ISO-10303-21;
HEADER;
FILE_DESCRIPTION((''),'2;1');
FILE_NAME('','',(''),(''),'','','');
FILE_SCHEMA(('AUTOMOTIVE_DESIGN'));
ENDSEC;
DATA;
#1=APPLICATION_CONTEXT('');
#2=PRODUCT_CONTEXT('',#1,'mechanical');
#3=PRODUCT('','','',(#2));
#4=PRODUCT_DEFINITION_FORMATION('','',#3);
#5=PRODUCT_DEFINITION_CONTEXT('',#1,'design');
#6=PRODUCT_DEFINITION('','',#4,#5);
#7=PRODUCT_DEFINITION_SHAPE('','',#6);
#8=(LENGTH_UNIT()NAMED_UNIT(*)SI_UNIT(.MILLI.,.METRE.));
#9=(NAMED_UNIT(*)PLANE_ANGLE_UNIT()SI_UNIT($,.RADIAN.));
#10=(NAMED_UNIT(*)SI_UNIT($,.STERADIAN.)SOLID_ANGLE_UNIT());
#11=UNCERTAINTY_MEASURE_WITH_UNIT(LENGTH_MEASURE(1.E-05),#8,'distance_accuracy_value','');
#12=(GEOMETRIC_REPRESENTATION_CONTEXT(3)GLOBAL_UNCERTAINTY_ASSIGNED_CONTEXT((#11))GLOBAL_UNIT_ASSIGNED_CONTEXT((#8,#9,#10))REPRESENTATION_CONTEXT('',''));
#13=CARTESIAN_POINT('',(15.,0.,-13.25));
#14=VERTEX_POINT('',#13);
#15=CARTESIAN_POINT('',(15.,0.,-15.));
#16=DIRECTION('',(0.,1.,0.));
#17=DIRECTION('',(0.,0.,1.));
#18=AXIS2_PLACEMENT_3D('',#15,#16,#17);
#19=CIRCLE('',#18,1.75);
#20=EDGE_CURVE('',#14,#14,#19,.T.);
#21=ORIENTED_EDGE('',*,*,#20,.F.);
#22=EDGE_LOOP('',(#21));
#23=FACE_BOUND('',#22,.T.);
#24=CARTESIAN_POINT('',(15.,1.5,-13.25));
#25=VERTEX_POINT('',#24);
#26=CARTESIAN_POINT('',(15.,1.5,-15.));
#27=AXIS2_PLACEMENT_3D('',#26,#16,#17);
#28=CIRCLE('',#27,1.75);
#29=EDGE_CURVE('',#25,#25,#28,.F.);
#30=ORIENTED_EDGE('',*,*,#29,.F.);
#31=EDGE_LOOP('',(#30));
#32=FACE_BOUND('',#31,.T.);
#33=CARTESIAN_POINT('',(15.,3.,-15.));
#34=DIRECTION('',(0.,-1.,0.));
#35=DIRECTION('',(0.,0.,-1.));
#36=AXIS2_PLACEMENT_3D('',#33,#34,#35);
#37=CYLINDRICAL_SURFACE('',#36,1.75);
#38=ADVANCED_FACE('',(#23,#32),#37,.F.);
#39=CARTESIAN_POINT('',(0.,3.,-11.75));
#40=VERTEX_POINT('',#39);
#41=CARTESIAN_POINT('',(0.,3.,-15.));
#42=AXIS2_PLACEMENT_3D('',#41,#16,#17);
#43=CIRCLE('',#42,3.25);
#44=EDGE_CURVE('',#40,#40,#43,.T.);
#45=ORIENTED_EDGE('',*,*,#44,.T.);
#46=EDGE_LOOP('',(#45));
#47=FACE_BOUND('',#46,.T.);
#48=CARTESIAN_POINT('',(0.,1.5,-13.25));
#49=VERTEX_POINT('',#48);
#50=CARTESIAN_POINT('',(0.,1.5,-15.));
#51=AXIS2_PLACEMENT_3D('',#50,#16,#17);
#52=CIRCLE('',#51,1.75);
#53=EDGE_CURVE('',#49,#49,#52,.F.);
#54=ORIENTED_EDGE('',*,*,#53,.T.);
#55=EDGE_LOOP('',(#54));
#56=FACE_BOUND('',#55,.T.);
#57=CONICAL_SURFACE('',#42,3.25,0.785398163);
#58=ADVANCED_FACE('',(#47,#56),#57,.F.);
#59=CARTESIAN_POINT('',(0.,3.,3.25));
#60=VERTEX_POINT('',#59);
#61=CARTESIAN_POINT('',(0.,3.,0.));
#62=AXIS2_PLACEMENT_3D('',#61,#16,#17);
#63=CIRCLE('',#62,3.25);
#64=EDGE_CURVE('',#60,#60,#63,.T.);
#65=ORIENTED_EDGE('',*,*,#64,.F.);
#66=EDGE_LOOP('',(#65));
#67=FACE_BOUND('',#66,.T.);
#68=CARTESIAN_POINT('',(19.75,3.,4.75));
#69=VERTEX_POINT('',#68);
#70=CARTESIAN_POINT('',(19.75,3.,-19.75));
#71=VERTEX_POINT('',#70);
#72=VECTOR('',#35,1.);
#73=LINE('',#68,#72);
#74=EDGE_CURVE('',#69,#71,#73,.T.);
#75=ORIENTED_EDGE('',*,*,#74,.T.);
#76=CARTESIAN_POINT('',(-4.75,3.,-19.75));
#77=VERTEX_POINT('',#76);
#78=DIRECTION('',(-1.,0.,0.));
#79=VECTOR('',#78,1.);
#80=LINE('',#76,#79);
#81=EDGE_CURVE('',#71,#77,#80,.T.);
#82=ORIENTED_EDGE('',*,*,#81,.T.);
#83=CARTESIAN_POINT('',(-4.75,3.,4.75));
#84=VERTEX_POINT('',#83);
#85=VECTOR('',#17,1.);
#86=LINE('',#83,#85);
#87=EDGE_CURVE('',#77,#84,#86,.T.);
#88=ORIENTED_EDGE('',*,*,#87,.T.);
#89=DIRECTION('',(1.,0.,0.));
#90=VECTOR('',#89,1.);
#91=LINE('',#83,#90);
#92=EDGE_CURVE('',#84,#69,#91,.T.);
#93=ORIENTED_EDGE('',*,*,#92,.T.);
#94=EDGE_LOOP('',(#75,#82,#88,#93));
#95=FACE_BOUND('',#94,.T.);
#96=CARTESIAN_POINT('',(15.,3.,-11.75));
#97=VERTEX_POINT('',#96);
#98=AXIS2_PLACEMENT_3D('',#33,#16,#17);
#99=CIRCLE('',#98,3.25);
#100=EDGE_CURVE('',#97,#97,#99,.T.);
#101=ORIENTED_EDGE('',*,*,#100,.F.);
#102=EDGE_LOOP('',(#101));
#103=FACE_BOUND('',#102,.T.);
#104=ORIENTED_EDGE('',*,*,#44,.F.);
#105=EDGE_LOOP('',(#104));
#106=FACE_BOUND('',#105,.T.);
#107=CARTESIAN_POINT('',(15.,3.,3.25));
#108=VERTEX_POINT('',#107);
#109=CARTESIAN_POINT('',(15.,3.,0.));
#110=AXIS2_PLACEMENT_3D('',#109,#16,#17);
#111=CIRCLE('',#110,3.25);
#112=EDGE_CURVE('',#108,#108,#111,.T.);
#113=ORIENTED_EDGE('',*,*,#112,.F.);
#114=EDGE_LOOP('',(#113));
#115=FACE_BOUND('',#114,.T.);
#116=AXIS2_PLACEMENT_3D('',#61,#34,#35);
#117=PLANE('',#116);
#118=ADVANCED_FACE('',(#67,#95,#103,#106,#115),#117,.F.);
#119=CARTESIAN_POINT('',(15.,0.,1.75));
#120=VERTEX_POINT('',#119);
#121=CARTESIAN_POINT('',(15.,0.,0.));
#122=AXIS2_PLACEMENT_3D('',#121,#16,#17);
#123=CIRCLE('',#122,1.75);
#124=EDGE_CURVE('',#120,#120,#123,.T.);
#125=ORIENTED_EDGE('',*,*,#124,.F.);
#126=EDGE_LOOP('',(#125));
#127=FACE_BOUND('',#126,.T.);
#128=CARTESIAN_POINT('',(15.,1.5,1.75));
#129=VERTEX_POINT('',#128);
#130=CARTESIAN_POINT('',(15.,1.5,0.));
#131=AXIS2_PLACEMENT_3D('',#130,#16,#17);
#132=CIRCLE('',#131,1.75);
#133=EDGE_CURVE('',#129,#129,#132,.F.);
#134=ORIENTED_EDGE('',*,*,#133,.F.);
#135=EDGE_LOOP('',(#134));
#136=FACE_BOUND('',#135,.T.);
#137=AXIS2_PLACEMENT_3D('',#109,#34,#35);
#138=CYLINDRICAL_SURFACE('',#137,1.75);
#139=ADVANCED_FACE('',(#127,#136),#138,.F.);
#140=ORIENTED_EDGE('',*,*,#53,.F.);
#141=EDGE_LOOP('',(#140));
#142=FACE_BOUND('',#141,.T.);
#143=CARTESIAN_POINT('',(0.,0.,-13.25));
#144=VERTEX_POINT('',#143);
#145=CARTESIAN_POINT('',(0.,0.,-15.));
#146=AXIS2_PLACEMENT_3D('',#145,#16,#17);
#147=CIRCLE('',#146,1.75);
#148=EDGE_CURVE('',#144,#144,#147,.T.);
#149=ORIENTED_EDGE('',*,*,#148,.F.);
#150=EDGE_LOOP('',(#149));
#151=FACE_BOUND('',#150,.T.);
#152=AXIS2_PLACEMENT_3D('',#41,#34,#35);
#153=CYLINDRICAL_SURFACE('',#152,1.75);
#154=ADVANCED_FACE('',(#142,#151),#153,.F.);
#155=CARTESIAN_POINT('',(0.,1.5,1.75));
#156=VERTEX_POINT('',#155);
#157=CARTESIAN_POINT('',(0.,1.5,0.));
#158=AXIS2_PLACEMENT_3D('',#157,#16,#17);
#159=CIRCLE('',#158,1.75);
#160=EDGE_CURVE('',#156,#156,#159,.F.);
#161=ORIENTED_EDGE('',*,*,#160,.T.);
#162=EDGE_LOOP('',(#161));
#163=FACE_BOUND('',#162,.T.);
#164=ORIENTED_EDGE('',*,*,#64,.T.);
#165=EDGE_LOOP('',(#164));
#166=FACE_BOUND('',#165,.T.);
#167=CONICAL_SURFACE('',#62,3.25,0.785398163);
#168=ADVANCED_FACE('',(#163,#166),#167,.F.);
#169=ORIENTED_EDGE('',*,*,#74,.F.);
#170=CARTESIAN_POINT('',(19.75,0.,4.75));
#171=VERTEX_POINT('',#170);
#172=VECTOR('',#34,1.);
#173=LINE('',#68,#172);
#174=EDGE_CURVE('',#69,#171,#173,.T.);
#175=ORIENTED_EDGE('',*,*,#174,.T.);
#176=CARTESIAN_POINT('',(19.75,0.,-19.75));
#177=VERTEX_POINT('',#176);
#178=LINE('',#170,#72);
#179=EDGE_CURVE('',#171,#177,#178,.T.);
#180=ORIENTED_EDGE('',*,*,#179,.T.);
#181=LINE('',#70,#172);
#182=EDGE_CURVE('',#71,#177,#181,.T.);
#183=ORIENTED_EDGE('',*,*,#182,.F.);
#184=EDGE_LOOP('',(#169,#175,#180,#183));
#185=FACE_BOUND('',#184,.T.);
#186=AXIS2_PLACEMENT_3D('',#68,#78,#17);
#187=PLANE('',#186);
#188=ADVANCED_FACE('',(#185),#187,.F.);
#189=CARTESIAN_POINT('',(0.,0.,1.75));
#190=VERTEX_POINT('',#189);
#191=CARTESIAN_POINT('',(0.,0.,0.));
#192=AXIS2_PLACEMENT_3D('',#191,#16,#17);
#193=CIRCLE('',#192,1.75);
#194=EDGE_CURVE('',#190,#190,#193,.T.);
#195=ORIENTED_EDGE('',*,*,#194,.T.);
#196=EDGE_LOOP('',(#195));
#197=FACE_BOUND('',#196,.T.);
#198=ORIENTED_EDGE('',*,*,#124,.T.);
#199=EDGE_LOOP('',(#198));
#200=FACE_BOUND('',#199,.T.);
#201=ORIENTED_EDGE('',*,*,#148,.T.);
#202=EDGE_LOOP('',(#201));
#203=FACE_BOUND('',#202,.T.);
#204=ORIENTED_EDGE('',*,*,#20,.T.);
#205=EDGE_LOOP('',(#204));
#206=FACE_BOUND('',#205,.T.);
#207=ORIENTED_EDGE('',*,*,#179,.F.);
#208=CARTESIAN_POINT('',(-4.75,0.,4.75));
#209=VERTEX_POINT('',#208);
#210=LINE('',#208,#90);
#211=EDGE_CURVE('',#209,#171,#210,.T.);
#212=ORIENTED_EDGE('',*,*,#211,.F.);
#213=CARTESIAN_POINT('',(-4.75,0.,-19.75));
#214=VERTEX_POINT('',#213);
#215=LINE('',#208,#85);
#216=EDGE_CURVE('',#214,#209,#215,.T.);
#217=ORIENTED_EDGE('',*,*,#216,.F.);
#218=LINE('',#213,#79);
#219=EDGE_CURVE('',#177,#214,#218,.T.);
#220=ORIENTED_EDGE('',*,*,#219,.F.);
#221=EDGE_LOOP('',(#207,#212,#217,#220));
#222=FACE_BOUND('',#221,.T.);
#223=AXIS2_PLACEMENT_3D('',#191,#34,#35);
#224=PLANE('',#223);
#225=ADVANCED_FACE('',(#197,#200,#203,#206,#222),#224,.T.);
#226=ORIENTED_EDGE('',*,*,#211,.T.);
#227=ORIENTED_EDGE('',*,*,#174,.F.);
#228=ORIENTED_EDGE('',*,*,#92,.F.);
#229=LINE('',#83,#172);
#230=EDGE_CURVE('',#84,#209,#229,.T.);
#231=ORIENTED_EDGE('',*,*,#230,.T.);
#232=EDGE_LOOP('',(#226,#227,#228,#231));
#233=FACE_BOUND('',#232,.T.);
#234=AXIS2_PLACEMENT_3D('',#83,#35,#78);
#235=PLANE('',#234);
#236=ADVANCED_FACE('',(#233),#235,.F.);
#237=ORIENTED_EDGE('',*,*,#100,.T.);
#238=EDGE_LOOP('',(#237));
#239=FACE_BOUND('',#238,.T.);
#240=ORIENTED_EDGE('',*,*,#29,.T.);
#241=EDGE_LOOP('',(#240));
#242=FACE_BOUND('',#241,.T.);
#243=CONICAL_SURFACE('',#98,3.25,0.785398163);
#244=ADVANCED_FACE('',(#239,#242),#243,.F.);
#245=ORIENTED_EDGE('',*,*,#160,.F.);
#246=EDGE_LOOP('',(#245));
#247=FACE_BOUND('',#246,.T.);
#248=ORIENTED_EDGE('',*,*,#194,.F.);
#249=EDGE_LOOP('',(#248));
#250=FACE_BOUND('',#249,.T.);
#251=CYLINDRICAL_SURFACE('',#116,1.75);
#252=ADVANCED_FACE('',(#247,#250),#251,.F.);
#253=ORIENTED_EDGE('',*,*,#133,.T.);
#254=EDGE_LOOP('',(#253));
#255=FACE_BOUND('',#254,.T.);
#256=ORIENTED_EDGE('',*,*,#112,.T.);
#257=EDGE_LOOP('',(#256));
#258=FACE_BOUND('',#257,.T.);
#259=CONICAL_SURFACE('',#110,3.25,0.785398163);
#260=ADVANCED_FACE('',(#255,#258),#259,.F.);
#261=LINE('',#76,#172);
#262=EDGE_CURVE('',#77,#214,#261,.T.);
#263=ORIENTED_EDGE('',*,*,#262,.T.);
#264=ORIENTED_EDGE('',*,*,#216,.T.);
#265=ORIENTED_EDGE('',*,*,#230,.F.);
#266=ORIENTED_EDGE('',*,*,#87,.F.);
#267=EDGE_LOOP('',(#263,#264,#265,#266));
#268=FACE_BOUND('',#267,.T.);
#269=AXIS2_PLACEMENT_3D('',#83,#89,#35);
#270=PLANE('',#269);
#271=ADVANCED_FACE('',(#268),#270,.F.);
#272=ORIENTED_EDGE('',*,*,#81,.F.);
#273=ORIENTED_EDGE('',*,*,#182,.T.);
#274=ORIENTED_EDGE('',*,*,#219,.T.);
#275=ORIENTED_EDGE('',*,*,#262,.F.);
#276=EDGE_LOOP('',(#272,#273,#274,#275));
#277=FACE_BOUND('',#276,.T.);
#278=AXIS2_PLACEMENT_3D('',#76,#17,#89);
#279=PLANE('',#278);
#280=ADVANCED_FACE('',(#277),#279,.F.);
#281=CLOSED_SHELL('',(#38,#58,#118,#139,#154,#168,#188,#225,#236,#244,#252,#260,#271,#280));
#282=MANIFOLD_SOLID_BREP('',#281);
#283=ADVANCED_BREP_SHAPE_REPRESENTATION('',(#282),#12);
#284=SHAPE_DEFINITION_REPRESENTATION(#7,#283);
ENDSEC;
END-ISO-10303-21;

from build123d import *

# Parameters (mm, degrees)
SKETCH_1_W                  = 24.5
SKETCH_1_H                  = 24.5
SKETCH_1_R                  = 1.75
EXTRUDE_1_DEPTH             = 3
HOLE_WIZARD_M3_1_AT_2_COUNT = 2
HOLE_WIZARD_M3_1_AT_2_PITCH = 15
HOLE_WIZARD_M3_1_AT_3_COUNT = 2
HOLE_WIZARD_M3_1_AT_3_PITCH = 21.213203436
HOLE_WIZARD_M3_1_AT_4_COUNT = 2
HOLE_WIZARD_M3_1_AT_4_PITCH = 15


with BuildPart() as part:
    # 草图1 → 凸台-拉伸1 (new body)
    with BuildSketch(Plane(origin=(0, 0, 0), x_dir=(1, 0, 0), z_dir=(0, 1, 0))):
        with Locations((7.5, 7.5)):
            Rectangle(SKETCH_1_W, SKETCH_1_H)
        with Locations(Location((0, 0, 0), (0, 0, 270))):
            Circle(SKETCH_1_R, mode=Mode.SUBTRACT)
        with Locations(Location((15, 0, 0), (0, 0, 270))):
            Circle(SKETCH_1_R, mode=Mode.SUBTRACT)
        with Locations(Location((0, 15, 0), (0, 0, 270))):
            Circle(SKETCH_1_R, mode=Mode.SUBTRACT)
        with Locations(Location((15, 15, 0), (0, 0, 270))):
            Circle(SKETCH_1_R, mode=Mode.SUBTRACT)
    extrude(amount=EXTRUDE_1_DEPTH)

    # 草图5 → M3 平头机械螺钉的锥形沉头孔1 (revolve, cut)
    with BuildSketch(Plane(origin=(0, 3, 0), x_dir=(0, 0, 1), z_dir=(1, 0, 0))):
        Polygon((0, 0), (0, 3), (1.6, 3), (1.6, 1.65), (3.25, 0), align=None)
    hole_wizard_m3_1 = revolve(axis=Axis((0, 9.35, 0), (0, -1, 0)), mode=Mode.SUBTRACT)

    # M3 平头机械螺钉的锥形沉头孔1 at 2: M3 平头机械螺钉的锥形沉头孔1 ×2
    with Locations(*[(i * HOLE_WIZARD_M3_1_AT_2_PITCH, 0, 0) for i in range(1, HOLE_WIZARD_M3_1_AT_2_COUNT)]):
        add(hole_wizard_m3_1, mode=Mode.SUBTRACT)

    # M3 平头机械螺钉的锥形沉头孔1 at 3: M3 平头机械螺钉的锥形沉头孔1 ×2
    with Locations(*[Vector(0.7071067811865476, 0, -0.7071067811865476) * (i * HOLE_WIZARD_M3_1_AT_3_PITCH) for i in range(1, HOLE_WIZARD_M3_1_AT_3_COUNT)]):
        add(hole_wizard_m3_1, mode=Mode.SUBTRACT)

    # M3 平头机械螺钉的锥形沉头孔1 at 4: M3 平头机械螺钉的锥形沉头孔1 ×2
    with Locations(*[(0, 0, -i * HOLE_WIZARD_M3_1_AT_4_PITCH) for i in range(1, HOLE_WIZARD_M3_1_AT_4_COUNT)]):
        add(hole_wizard_m3_1, mode=Mode.SUBTRACT)


solid = part.part
